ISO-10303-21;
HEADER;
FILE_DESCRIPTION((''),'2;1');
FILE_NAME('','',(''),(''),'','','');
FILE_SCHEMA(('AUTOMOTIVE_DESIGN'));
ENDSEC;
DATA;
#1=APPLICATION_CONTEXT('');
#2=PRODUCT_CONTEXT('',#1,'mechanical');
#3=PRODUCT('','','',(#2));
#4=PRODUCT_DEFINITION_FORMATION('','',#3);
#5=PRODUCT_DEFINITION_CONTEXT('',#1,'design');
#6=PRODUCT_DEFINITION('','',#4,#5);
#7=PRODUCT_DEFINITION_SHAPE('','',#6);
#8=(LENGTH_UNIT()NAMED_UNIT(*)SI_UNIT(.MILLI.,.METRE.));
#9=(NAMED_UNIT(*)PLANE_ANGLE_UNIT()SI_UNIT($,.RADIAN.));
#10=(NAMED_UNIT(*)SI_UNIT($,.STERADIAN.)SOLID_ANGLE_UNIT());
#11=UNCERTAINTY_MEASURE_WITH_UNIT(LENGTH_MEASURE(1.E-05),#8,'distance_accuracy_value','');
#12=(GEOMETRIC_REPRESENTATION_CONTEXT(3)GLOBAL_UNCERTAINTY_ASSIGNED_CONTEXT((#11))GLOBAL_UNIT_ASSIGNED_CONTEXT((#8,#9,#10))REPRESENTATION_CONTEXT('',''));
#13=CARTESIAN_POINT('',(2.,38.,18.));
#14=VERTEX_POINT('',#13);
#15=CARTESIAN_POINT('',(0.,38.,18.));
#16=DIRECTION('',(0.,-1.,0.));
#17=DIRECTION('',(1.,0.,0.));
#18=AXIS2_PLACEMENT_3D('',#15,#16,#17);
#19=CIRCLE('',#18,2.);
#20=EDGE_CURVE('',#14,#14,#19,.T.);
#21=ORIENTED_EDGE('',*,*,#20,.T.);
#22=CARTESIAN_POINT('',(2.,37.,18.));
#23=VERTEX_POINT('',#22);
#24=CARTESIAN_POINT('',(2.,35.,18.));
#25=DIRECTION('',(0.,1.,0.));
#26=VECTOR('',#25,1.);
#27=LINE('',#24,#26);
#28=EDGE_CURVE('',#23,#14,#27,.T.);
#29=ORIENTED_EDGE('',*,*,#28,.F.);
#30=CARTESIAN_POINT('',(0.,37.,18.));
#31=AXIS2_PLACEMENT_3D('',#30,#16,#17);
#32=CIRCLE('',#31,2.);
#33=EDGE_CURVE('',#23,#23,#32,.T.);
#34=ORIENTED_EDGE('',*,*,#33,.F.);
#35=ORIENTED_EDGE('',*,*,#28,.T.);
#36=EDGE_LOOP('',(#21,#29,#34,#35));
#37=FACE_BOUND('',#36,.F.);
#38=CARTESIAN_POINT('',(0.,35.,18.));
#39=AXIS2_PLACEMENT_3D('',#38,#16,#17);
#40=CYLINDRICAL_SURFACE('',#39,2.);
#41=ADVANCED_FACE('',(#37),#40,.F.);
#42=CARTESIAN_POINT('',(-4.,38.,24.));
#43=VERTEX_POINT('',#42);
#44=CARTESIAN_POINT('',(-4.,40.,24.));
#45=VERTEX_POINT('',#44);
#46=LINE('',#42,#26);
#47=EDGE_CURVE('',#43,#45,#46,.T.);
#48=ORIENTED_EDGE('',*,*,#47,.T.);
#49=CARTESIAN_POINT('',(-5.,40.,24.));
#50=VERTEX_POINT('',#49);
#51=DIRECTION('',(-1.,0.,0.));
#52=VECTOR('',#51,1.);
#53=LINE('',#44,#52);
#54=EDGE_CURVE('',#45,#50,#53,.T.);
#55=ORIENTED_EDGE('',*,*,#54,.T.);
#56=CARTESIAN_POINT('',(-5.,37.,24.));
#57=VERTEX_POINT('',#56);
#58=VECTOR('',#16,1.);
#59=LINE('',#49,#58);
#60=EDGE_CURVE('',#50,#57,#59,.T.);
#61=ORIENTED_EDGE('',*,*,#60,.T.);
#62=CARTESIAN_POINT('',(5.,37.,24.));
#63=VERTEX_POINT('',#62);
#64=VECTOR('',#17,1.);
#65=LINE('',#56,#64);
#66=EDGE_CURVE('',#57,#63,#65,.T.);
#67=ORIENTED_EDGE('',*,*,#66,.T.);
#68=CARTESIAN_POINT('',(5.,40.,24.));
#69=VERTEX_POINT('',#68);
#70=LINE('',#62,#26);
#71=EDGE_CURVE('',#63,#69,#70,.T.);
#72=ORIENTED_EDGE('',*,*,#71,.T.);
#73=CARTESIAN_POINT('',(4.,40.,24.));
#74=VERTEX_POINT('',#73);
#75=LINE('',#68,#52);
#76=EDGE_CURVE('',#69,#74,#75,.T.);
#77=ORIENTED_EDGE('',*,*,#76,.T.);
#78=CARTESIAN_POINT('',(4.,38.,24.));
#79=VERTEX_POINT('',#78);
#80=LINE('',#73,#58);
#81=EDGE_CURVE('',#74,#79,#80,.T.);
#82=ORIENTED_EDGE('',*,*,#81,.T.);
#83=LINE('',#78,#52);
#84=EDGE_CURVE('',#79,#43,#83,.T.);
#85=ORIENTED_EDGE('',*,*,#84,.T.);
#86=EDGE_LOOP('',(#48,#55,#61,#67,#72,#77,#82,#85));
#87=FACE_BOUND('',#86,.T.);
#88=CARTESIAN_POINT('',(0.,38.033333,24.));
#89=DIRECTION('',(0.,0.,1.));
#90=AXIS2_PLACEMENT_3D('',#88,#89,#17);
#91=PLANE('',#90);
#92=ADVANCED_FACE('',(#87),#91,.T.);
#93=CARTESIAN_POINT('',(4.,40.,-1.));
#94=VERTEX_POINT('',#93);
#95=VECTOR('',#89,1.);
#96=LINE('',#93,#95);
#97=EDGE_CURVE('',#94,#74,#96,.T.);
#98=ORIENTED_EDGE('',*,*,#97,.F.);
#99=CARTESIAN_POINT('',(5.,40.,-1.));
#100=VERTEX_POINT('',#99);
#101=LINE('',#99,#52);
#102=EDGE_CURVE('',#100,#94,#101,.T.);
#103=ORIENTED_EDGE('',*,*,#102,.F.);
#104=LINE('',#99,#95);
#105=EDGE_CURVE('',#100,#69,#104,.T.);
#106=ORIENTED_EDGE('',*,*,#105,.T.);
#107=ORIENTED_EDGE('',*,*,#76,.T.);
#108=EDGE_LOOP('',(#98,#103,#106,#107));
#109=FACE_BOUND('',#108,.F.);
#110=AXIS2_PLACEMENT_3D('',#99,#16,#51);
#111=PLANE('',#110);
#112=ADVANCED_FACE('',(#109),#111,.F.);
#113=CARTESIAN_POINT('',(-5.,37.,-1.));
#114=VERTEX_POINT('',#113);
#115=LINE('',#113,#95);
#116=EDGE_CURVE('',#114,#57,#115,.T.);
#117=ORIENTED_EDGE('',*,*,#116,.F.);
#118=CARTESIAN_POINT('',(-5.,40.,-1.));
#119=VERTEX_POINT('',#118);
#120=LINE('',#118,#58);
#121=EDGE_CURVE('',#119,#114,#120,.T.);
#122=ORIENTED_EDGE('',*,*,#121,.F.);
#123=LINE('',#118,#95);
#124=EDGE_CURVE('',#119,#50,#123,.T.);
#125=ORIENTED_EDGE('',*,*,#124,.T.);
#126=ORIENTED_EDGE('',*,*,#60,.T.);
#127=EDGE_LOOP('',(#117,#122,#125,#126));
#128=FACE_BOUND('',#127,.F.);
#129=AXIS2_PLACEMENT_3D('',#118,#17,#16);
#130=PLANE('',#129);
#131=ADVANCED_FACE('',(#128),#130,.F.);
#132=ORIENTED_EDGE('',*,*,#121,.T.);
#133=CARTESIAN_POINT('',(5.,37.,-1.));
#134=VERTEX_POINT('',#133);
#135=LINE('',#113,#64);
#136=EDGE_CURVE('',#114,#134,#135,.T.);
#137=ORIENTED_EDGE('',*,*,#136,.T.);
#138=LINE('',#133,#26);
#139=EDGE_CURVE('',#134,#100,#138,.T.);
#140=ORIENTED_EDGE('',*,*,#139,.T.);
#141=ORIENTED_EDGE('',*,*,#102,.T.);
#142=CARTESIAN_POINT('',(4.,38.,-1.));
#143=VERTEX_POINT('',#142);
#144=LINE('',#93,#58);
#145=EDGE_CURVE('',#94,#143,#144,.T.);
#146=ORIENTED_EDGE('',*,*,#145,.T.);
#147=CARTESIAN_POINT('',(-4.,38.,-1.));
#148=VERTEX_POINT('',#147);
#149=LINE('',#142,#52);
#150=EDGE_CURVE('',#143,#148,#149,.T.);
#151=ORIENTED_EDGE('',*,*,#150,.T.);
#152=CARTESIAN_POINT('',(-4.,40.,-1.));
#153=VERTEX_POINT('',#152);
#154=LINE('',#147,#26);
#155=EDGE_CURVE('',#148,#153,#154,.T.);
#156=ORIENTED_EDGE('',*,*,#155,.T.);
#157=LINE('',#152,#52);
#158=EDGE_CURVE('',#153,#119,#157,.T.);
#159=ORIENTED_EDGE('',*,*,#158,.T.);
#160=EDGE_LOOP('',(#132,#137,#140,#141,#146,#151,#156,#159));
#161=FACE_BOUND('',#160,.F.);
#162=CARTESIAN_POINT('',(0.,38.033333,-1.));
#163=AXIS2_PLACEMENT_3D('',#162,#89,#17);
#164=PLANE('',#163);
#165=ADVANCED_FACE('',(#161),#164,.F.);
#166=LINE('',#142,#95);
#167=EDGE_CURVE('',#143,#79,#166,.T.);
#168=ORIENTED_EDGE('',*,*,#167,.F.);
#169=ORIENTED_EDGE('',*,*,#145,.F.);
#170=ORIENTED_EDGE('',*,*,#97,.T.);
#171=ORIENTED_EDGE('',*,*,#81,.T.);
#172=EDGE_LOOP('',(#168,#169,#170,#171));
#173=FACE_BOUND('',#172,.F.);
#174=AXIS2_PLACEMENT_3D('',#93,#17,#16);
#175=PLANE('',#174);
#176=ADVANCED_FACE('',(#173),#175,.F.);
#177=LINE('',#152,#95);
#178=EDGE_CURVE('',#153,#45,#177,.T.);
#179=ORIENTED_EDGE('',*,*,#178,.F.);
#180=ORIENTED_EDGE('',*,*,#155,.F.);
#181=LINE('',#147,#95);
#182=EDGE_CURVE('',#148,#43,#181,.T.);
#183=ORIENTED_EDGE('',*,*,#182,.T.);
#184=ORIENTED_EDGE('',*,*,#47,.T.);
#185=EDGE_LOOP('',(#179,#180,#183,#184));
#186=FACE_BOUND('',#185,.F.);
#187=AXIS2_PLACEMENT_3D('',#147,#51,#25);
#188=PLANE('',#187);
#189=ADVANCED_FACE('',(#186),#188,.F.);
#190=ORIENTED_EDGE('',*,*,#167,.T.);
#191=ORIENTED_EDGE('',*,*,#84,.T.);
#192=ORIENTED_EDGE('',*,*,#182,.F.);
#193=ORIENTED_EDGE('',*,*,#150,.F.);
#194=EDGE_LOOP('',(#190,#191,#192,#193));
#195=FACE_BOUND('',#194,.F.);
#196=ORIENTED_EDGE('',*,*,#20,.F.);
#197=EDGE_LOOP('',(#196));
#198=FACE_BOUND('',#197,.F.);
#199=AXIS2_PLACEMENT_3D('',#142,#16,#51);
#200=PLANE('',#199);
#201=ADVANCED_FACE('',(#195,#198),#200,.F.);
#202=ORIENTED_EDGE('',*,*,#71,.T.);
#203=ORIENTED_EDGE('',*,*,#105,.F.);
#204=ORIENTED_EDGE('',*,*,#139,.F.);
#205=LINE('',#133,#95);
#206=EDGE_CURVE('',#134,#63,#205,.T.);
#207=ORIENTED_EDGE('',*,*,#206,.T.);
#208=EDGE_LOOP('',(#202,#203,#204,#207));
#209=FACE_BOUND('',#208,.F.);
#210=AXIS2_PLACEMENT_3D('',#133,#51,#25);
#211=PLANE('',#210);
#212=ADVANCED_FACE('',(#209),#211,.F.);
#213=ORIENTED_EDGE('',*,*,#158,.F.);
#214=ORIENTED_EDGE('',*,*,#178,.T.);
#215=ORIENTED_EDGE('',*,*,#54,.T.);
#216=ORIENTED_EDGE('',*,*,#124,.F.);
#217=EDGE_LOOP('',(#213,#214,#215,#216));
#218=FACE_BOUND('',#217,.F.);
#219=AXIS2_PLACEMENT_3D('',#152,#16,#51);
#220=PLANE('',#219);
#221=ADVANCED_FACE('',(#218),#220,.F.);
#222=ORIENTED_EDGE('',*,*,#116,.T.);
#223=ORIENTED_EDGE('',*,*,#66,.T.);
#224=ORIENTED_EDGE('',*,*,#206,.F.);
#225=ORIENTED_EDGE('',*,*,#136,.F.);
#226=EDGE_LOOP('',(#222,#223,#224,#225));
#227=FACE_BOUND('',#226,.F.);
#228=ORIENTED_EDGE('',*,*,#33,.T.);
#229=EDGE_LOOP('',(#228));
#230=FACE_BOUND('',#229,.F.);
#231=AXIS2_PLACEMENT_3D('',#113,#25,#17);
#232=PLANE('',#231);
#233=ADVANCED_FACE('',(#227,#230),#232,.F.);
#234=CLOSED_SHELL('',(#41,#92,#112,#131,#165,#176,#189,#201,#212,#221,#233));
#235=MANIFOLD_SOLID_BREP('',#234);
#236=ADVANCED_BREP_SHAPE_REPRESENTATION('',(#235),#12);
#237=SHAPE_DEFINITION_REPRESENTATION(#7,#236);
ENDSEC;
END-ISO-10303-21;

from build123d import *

# Parameters (mm, degrees)
SKETCH052_R      = 2
EXTRUDE049_DEPTH = 5
EXTRUDE048_DEPTH = 25


with BuildPart() as extrude049:
    # Sketch052 → Extrude049 (new body)
    with BuildSketch(Plane.XZ.offset(-35)):
        with Locations((0, 18)):
            Circle(SKETCH052_R)
    extrude(amount=-EXTRUDE049_DEPTH)


with BuildPart() as hook:
    # Sketch051 → Extrude048 (new body)
    with BuildSketch(Plane.XY.offset(-1)):
        Polygon((-5, 40), (-5, 37), (5, 37), (5, 40), (4, 40), (4, 38), (-4, 38), (-4, 40), align=None)
    extrude(amount=EXTRUDE048_DEPTH)

    # Cut041: cut Extrude049
    add(extrude049.part, mode=Mode.SUBTRACT)


solid = hook.part
